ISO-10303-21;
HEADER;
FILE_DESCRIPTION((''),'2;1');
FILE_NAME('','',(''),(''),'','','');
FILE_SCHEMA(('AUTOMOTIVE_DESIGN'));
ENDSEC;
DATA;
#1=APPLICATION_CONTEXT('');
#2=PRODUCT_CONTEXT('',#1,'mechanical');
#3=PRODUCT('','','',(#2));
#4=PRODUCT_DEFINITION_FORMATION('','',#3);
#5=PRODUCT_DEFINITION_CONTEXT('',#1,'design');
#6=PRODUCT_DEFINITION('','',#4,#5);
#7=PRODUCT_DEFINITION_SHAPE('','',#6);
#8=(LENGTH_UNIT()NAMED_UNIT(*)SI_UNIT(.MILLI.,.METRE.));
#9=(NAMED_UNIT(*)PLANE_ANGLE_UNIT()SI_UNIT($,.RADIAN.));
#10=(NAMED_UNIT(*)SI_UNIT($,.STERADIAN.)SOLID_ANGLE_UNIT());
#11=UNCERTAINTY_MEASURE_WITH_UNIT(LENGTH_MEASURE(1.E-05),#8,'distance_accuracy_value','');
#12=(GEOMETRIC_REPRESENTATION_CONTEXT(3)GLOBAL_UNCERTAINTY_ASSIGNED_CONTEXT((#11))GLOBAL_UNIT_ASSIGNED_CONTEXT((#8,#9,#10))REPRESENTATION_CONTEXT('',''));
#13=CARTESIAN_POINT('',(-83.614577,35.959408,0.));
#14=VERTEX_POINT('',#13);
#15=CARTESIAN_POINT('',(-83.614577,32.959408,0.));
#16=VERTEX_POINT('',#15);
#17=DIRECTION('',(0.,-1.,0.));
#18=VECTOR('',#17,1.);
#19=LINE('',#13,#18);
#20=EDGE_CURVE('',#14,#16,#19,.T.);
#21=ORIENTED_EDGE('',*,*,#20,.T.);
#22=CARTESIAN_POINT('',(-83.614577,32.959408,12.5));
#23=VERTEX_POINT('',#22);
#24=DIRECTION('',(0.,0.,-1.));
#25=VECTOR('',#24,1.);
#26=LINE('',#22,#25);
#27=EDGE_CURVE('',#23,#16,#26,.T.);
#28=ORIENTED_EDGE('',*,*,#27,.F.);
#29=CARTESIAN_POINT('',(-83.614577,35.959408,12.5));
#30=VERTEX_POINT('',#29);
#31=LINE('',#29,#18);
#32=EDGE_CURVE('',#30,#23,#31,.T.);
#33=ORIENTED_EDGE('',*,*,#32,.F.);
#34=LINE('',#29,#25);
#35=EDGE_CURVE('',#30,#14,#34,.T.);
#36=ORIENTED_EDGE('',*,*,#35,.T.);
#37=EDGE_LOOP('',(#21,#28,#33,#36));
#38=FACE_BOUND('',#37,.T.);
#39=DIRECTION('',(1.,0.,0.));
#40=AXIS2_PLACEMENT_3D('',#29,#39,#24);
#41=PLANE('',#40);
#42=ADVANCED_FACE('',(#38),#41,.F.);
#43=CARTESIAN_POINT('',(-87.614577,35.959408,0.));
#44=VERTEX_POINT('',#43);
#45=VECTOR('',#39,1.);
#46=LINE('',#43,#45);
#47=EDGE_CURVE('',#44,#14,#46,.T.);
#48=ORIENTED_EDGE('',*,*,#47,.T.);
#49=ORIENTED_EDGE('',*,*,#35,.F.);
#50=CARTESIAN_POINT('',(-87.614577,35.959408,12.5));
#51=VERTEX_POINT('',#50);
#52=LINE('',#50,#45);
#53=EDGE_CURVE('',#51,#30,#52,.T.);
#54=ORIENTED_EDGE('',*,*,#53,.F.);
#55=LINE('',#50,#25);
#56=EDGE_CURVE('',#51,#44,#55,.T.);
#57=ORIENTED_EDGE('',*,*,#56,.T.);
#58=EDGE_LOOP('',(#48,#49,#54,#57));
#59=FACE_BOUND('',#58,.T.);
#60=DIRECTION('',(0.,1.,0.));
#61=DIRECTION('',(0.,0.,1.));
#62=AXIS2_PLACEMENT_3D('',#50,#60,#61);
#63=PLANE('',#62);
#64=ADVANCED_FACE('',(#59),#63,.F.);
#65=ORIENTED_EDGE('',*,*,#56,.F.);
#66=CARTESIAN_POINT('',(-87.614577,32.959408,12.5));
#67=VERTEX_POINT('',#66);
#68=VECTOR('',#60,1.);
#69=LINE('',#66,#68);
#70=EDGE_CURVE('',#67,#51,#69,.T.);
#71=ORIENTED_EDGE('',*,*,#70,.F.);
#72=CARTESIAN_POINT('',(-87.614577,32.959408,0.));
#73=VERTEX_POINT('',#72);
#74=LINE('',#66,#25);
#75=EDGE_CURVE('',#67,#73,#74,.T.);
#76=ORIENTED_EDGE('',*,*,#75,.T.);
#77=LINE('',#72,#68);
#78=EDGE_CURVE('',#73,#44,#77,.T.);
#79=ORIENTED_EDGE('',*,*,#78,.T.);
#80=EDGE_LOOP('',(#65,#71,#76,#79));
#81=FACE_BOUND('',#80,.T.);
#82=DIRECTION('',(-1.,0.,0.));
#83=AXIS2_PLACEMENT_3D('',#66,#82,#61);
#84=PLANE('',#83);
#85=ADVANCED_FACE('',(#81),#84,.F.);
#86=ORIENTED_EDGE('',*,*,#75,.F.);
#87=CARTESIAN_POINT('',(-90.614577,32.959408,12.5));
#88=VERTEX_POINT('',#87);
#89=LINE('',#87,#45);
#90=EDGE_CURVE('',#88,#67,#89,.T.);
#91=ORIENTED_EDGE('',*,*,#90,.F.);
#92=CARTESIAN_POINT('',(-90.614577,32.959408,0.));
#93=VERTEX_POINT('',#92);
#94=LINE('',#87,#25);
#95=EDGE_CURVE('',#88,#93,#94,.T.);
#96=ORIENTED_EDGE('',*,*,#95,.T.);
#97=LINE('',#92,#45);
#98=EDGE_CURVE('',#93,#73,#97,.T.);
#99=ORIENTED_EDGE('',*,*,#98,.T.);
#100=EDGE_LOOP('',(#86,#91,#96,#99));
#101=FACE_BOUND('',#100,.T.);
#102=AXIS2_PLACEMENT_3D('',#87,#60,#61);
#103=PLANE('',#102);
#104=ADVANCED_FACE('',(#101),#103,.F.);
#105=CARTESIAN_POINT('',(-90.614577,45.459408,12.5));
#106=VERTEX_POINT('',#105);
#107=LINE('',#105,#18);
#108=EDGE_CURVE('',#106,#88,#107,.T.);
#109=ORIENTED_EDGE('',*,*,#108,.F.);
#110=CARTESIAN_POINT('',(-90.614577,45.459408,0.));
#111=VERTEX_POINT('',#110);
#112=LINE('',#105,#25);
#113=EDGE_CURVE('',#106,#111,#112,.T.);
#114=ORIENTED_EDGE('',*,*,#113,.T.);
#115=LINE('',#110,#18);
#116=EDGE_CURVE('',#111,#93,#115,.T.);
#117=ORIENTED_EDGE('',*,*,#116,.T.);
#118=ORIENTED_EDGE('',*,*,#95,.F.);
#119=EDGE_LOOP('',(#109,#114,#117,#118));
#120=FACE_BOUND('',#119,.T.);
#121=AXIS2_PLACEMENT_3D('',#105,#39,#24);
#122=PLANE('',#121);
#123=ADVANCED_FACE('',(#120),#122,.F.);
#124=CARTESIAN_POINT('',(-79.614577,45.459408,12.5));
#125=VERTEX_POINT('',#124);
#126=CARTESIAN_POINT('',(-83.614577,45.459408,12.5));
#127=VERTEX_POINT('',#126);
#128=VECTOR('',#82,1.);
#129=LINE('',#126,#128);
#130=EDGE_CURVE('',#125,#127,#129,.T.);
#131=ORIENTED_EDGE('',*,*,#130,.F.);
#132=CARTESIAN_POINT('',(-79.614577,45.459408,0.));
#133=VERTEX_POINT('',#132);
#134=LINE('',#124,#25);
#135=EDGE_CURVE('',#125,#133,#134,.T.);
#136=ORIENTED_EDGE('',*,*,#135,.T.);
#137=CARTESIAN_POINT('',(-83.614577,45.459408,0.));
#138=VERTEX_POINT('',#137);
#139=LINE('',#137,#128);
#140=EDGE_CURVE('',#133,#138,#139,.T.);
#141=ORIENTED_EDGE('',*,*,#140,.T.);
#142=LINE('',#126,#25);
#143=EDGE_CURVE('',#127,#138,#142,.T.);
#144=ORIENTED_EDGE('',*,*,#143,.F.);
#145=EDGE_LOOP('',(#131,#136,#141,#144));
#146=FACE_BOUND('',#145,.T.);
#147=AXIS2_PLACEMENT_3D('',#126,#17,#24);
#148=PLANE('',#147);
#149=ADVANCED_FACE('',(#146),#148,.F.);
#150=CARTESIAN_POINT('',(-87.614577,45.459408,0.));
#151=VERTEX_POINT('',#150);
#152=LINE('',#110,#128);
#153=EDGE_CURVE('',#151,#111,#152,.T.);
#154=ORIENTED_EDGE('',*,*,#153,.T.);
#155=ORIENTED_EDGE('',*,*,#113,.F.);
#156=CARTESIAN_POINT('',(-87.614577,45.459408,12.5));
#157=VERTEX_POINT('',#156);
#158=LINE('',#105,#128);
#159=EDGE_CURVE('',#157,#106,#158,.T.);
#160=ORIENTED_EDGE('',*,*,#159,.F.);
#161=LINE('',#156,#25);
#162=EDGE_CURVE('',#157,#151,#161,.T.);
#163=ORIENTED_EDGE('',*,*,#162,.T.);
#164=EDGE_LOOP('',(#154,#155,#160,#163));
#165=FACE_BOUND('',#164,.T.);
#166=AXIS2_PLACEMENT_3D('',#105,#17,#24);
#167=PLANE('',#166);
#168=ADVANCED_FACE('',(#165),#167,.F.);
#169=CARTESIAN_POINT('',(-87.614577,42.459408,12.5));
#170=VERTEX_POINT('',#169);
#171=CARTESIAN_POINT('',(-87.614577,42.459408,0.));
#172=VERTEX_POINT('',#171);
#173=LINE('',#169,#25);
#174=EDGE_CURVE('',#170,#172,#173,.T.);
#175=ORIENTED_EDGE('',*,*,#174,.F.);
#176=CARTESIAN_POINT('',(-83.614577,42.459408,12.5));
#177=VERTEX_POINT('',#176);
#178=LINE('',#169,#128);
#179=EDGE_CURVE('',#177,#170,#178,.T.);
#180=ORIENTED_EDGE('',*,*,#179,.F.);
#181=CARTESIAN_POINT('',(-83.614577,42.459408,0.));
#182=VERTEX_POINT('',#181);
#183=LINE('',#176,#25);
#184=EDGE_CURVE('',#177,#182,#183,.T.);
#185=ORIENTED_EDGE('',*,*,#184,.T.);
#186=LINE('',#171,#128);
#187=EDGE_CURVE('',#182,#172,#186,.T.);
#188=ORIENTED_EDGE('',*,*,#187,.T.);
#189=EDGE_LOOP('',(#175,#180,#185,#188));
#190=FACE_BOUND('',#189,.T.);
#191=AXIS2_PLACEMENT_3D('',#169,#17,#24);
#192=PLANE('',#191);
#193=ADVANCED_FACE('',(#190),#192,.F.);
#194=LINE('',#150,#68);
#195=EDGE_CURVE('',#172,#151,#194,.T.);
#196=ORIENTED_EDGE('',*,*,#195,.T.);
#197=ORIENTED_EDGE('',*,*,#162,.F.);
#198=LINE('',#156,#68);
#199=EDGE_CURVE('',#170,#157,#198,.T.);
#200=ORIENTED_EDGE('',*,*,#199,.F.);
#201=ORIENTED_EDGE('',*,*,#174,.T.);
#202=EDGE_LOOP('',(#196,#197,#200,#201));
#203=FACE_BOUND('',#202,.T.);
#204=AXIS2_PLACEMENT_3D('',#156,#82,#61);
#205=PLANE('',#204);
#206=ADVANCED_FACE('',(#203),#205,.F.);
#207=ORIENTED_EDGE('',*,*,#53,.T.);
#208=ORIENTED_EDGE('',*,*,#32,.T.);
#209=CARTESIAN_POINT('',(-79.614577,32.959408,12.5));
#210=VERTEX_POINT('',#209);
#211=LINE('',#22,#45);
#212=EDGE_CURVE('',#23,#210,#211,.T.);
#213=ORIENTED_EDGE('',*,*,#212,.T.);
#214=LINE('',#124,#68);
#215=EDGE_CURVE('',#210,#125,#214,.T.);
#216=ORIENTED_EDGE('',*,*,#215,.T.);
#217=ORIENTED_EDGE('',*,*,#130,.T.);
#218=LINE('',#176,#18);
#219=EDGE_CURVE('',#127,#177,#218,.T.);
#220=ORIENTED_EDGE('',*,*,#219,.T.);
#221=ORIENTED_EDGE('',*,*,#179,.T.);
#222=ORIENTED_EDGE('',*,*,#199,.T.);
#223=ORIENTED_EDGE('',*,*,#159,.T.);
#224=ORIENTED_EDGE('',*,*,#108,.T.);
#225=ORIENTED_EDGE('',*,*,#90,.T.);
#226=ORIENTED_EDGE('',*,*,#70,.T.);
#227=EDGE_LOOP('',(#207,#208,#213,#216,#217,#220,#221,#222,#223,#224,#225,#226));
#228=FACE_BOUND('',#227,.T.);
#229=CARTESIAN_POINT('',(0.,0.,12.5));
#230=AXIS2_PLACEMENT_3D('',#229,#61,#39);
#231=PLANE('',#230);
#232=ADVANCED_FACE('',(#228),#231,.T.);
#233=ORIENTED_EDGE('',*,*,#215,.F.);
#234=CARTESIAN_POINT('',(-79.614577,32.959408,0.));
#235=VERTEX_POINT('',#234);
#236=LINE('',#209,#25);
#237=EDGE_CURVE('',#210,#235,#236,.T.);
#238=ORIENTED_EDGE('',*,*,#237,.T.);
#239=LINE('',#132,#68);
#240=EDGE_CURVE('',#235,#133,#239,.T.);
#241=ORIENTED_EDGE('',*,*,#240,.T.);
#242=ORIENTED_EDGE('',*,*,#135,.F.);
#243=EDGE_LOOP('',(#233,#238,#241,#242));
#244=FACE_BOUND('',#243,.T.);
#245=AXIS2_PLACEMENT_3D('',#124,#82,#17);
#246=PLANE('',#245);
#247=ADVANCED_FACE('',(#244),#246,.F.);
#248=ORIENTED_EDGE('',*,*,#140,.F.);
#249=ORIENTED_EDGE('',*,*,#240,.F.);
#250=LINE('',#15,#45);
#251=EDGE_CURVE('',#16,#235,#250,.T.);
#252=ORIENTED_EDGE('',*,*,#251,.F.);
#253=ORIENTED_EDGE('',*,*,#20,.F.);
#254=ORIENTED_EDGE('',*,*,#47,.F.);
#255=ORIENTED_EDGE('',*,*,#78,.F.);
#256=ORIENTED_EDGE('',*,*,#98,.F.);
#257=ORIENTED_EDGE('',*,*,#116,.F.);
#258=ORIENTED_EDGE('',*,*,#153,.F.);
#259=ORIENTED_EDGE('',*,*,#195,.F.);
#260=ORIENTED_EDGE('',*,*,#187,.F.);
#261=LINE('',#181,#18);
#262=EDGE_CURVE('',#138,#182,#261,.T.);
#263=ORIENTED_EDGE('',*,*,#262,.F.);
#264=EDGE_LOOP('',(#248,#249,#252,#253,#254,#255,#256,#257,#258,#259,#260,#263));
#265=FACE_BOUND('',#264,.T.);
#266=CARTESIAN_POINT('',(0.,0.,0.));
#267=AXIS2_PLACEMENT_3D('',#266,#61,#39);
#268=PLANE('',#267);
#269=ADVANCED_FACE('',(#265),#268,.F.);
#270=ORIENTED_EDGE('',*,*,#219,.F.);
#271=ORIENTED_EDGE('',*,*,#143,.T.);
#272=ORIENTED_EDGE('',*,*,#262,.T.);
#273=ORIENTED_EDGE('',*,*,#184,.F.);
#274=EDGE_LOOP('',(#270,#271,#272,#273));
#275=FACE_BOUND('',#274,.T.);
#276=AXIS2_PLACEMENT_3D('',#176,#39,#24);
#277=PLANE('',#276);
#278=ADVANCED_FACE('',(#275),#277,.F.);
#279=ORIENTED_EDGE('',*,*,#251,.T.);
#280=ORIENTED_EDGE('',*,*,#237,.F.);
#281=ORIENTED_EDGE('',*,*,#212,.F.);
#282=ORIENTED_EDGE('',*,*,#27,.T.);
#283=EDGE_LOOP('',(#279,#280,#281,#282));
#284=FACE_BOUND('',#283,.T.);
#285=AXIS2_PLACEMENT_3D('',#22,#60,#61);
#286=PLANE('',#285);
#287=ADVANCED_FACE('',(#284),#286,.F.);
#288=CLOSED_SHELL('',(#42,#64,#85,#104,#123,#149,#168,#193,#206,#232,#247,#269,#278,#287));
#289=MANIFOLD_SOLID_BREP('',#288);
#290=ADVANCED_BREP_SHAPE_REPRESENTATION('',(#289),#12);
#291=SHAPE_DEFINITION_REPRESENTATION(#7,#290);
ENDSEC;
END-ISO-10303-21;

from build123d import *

# Parameters (mm, degrees)
BOSS_EXTRUDE2_DEPTH = 12.5


with BuildPart() as part:
    # Sketch1 → Boss-Extrude2 (new body)
    with BuildSketch(Plane.XY):
        Polygon((-90.614577373, 45.459408198), (-87.614577373, 45.459408198), (-87.614577373, 42.459408198), (-83.614577373, 42.459408198), (-83.614577373, 45.459408198), (-79.614577373, 45.459408198), (-79.614577373, 32.959408198), (-83.614577373, 32.959408198), (-83.614577373, 35.959408198), (-87.614577373, 35.959408198), (-87.614577373, 32.959408198), (-90.614577373, 32.959408198), align=None)
    extrude(amount=BOSS_EXTRUDE2_DEPTH)


solid = part.part
